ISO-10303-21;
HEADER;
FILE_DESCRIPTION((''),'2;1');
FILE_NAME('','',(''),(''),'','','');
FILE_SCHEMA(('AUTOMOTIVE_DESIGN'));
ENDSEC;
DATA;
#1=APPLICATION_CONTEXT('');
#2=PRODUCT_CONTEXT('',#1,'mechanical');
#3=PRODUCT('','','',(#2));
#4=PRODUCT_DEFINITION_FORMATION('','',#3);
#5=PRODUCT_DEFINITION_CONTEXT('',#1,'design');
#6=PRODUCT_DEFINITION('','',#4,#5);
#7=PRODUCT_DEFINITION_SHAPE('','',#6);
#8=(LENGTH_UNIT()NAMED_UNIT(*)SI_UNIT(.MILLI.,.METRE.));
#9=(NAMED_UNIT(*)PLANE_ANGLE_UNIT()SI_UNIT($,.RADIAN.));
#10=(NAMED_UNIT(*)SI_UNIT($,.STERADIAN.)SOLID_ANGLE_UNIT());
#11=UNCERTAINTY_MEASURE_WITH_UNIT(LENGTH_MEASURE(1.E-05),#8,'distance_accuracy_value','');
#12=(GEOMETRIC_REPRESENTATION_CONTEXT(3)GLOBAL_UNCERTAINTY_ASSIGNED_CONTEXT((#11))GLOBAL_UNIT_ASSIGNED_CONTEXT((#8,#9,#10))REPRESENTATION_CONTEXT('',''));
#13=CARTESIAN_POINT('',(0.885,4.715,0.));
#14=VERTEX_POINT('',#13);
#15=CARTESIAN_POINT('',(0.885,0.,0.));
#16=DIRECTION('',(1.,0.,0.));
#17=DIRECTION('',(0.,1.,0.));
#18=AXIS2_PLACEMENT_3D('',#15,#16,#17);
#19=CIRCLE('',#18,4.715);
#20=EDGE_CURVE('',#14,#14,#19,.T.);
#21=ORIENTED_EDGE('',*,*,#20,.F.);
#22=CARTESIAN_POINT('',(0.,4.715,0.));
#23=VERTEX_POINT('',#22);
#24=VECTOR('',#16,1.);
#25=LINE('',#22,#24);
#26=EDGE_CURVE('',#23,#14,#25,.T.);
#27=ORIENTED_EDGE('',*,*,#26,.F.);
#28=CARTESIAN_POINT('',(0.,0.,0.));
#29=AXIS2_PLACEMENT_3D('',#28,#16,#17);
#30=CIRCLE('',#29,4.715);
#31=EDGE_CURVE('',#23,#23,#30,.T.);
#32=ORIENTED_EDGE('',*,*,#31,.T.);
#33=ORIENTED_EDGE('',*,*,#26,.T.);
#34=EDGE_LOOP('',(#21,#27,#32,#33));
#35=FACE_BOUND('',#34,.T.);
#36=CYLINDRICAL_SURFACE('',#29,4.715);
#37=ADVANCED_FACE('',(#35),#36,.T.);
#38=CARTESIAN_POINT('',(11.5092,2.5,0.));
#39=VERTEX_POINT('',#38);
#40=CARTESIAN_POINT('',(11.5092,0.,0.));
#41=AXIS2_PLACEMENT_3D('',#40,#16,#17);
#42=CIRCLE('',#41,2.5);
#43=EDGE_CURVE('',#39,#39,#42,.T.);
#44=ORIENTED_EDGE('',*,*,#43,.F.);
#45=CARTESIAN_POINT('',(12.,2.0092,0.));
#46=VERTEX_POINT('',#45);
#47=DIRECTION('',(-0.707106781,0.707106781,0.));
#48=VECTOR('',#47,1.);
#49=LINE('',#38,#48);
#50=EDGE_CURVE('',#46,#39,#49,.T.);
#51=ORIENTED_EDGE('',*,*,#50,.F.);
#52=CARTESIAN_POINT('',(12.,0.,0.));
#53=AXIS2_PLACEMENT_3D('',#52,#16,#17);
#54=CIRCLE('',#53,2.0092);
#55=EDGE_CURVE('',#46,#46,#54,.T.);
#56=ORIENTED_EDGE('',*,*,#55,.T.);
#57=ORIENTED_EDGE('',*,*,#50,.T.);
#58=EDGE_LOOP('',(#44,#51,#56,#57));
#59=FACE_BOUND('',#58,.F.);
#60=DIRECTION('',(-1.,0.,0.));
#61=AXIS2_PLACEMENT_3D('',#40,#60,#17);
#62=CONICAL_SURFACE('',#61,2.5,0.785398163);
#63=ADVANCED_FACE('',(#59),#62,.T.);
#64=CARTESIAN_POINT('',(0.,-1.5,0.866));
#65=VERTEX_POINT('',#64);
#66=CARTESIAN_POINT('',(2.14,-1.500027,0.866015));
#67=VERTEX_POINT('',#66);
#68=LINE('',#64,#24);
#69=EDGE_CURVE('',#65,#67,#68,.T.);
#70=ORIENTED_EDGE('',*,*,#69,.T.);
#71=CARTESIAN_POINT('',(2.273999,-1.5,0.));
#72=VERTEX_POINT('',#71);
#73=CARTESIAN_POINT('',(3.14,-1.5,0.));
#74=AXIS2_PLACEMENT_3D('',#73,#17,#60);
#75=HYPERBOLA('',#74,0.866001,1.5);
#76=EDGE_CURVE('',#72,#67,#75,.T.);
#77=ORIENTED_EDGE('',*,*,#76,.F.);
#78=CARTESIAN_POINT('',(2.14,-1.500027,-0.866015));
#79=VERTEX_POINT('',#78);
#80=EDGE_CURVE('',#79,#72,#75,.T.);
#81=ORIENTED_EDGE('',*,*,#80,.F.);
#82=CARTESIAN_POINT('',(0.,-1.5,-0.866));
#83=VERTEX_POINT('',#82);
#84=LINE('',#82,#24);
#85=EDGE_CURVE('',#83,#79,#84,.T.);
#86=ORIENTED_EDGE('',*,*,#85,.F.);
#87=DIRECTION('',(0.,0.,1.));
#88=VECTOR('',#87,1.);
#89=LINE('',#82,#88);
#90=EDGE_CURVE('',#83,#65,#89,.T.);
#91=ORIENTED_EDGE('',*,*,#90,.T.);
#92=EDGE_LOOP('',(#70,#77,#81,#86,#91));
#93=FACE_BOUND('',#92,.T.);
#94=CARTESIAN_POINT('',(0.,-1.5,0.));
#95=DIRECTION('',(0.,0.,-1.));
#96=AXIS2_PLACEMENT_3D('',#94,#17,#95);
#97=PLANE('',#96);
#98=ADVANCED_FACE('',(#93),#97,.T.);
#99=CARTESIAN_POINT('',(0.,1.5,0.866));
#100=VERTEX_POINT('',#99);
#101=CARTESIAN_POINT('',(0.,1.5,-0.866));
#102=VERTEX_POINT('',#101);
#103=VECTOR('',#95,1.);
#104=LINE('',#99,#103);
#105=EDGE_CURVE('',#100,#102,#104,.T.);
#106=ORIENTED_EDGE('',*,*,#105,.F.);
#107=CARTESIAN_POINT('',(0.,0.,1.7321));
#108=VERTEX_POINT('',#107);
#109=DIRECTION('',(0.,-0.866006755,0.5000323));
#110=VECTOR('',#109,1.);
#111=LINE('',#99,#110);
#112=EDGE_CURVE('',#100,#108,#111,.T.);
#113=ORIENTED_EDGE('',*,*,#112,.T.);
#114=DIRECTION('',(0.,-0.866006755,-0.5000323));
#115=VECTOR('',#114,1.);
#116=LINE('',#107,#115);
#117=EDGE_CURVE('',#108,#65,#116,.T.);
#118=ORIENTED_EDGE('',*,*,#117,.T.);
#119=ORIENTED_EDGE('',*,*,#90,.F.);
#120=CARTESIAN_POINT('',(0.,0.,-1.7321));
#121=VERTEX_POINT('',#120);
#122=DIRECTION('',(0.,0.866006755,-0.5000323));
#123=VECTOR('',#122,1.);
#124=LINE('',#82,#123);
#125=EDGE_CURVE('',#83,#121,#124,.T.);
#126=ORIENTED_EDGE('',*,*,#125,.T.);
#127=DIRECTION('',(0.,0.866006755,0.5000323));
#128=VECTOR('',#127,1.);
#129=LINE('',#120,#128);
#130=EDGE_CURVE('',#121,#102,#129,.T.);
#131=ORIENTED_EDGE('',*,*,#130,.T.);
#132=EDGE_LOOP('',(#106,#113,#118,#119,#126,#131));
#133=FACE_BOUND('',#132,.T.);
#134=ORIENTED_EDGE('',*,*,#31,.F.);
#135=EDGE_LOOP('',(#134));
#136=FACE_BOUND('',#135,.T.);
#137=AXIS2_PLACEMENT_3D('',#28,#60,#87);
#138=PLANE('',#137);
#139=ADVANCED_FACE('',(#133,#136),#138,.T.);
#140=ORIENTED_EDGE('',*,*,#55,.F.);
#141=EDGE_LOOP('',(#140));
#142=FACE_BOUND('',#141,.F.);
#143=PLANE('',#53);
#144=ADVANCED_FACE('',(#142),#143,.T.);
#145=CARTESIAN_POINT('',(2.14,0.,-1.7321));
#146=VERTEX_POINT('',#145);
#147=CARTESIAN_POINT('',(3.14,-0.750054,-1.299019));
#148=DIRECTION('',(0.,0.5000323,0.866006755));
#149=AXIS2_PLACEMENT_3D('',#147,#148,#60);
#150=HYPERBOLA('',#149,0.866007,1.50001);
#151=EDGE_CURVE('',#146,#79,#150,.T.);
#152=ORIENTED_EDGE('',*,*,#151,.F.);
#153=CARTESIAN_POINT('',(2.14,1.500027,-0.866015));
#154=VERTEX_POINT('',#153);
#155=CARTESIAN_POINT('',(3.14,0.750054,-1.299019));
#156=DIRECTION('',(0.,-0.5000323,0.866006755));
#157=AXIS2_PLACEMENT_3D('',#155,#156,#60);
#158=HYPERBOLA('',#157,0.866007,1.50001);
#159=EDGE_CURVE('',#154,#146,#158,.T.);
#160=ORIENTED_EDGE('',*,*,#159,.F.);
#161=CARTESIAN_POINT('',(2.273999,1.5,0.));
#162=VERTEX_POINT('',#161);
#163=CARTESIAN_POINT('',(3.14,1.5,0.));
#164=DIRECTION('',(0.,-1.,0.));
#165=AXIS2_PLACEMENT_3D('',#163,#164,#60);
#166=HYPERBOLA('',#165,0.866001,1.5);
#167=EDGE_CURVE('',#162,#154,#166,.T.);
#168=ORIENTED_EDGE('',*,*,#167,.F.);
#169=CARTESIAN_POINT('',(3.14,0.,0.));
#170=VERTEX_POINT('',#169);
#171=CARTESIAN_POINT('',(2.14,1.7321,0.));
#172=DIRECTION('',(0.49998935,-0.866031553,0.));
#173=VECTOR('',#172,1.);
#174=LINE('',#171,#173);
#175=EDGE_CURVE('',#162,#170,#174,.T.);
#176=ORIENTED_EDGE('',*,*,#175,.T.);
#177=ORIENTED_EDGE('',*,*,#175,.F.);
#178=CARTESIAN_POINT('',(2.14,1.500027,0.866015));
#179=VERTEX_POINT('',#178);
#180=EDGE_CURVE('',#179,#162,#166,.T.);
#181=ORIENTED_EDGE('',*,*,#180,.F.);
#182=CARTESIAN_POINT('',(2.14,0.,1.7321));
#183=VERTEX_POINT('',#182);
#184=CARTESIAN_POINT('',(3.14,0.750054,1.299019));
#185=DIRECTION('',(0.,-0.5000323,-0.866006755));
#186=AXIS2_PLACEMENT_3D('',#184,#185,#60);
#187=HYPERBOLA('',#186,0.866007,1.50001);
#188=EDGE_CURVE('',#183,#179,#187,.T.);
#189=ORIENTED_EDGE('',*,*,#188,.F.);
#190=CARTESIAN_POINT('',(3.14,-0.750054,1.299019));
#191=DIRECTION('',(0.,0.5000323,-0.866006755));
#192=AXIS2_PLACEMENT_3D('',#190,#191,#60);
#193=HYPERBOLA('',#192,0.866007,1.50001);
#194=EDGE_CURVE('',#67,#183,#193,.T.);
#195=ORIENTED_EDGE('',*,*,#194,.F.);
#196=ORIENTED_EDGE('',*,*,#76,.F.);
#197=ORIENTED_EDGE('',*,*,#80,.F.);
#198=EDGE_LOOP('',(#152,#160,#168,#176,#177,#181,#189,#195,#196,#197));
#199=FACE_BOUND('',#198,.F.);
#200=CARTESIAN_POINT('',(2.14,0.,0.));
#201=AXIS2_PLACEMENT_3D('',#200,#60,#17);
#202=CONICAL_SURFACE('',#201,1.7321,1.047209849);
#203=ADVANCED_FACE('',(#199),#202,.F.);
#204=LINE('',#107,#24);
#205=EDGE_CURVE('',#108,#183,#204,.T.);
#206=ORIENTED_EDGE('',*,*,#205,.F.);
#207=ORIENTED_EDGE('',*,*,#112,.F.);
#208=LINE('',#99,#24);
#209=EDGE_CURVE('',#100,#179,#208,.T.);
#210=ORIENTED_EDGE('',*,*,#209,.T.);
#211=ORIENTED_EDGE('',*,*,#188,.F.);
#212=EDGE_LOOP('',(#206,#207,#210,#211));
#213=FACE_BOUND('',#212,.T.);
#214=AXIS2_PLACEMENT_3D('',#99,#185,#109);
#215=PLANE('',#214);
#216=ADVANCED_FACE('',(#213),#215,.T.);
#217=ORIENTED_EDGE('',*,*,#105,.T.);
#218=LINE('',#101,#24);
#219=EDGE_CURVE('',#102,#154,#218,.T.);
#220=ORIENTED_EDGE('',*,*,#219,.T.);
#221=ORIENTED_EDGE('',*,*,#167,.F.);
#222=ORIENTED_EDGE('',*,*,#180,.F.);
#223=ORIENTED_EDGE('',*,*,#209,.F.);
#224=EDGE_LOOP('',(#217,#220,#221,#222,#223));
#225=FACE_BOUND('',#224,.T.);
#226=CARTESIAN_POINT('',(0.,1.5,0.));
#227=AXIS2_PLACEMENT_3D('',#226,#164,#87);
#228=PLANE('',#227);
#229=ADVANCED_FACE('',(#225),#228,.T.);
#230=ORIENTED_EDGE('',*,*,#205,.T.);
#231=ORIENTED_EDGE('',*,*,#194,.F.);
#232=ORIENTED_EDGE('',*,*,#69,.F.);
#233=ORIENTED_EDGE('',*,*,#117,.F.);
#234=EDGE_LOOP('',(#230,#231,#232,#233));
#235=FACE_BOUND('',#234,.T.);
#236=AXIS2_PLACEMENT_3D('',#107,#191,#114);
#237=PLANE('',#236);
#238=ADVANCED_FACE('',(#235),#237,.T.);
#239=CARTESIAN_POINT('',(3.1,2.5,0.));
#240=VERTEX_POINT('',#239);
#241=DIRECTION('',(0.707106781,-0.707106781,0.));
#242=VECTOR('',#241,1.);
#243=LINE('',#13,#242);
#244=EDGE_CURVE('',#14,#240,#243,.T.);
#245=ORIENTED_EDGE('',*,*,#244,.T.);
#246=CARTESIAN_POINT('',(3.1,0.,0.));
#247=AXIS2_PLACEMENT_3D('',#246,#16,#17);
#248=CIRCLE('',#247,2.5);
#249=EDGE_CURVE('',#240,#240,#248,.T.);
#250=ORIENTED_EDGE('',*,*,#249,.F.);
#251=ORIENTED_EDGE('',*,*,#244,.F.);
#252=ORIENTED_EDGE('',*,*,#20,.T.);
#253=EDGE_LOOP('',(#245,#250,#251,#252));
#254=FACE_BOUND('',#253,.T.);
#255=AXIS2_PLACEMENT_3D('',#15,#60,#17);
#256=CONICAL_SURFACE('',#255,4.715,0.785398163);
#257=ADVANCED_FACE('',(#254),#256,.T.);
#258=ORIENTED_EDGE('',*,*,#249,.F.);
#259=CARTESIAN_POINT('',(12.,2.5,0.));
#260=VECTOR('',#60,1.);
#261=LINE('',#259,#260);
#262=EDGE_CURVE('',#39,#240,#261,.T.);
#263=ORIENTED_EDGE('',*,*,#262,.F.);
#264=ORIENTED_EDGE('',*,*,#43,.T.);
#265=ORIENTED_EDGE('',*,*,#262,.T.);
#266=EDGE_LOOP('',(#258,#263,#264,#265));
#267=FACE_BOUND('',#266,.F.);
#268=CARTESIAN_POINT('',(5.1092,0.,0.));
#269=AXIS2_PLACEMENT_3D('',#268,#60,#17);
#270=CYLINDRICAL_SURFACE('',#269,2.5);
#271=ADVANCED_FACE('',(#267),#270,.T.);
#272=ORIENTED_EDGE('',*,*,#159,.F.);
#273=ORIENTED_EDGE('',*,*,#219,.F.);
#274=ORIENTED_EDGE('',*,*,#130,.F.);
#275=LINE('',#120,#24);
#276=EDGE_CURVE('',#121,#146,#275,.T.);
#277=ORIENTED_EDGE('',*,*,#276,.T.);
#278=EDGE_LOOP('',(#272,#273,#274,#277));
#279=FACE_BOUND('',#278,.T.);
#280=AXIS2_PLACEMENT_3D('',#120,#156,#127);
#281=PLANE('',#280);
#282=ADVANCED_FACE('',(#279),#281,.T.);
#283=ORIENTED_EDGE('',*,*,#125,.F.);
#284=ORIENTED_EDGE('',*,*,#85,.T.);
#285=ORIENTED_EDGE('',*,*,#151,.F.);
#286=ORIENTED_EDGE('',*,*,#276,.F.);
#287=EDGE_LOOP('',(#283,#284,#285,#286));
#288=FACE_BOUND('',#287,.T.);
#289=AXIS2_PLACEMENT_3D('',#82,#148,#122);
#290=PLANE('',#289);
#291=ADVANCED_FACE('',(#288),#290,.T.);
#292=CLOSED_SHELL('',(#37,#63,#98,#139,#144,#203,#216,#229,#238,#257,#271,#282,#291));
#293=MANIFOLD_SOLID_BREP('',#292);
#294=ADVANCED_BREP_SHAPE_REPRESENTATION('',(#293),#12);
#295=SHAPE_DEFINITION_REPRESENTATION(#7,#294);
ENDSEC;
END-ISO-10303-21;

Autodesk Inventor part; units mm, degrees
ref_plane "YZ Plane" through (0, 0, 0) normal (1, 0, 0) x (0, 1, 0)
ref_plane "XZ Plane" through (0, 0, 0) normal (0, 1, 0) x (-1, 0, 0)
sketch "Esquisse1" plane through (0, 0, 0) normal (0, 0, 1) x (1, 0, 0)
  line L0 (12, 0) -> (12, 2.5)
  line L1 (12, 2.5) -> (5.6, 2.5)
  line L2 (5.6, 2.5) -> (5.1092, 2.5)
  line L3 (0, 4.715) -> (0, 1.7321)
  line L4 (0, 1.7321) -> (2.14, 1.7321)
  line L5 (2.14, 1.7321) -> (3.14, 0)
  line L6 (3.14, 0) -> (12, 0)
  line L7 (0, 4.715) -> (0.885, 4.715)
  line L8 (0.885, 4.715) -> (3.1, 2.5)
  line L9 (5.1092, 2.5) -> (3.1, 2.5)
  line L10 (5.6, 2.5) -> (3.1, 2.5) construction
  line L11 (3.1, 2.5) -> (3.1, 2.5)
  line L12 (-2.4, 0) -> (14.4, 0) projected
  line L13 (0, -0.943) -> (0, 5.658) projected
  dimension "d0" = 12
  dimension "d1" = 6.4
  dimension "d2" = 2.14
  dimension "d3" = 5
  dimension "d6" = 3.1
  dimension "d7" = 45
  dimension "d8" = 3.4641
  dimension "d9" = 60
  dimension "d10" = 9.43
  dimension "d11" = 5
  dimension "d12" = 0.4908
revolve "Corps" add sketch "Esquisse1" angle 360 about axis through (3.14, 0, 0) along (1, 0, 0) contours L6 L5 L4 L3 L7 L8 L9 L2 L1 L0
sketch "Esquisse2" plane through (0, 0, 0) normal (-1, 0, 0) x (0, 0, 1)
  circle A0 centre (0, 0) radius 1.7321 projected
  line L0 (0, -6.601) -> (0, 6.601) projected
  line L1 (-6.601, 0) -> (6.601, 0) projected
  line L2 (1.7321, 0) -> (0.866, -1.5)
  line L3 (0.866, -1.5) -> (-0.866, -1.5)
  line L4 (-0.866, -1.5) -> (-1.7321, 0)
  line L5 (-1.7321, 0) -> (-0.866, 1.5)
  line L6 (-0.866, 1.5) -> (0.866, 1.5)
  line L7 (0.866, 1.5) -> (1.7321, 0)
  point P0 (0, 1.7321)
extrude "Rainure" add sketch "Esquisse2" against normal up to next contours L7 A0 | A0 L2 | L6 L0 A0 | A0 L0 L3 | L0 L6 A0 | A0 L3 L0 | L4 A0 | A0 L5
thread "Filetage" size "M5x0.8" class "6g" standard "ISO Metric profile" length 6.4
chamfer "Chanfrein1" distance 0.4908 distance2 0.4908 1 edges at (12, -2.5, 0) measured on face at (12, -0.6238, 0.9515)
ref_plane "Work Plane1" through (104.775, 0, 0) normal (0, 0, -1) x (1, 0, 0)
equation "\"d15\" = GEL"
equation "\"d17\" = -0.5 * SPD + 0.5 * GD"
equation "\"d18\" = GUL"
equation "\"d0\" = NLG"
equation "\"d1\" = GEL"
equation "\"d2\" = INTI"
equation "\"d3\" = GD"
equation "\"d6\" = KOH"
equation "\"d7\" = 0.5 * SEWI"
equation "\"d8\" = 1.1547 * SW"
equation "\"d10\" = KOD"
equation "\"d11\" = BDM"
equation "\"d12\" = GAL"
equation "\"NLG\" = 12"
equation "\"INTI\" = 2.14"
equation "\"GEL\" = 6.4"
equation "\"GAL\" = 0.61345 * PTC"
equation "\"KOH\" = 3.1"
equation "\"KOD\" = 9.43"
equation "\"GUL\" = 0.61345 * PTC"
equation "\"SPD\" = NND - 1.2269 * PTC"
equation "\"BDM\" = NND"
equation "\"GD\" = NND"
equation "\"SEWI\" = 90deg"
equation "\"SW\" = 3"
equation "\"TOA\" = 30deg"
equation "\"GD1\" = THREADDIA - 1.2269 * PTC"
equation "\"EPV\" = 5.6"
equation "\"THREADDIA\" = 5"
equation "\"PTC\" = 0.8"
equation "\"NND\" = 5"
equation "\"E0\" = 3.47"
equation "\"THREADDESC\" = 1.2345"
properties part number "ISO 10642 - M5 x  12" material "Acier"
